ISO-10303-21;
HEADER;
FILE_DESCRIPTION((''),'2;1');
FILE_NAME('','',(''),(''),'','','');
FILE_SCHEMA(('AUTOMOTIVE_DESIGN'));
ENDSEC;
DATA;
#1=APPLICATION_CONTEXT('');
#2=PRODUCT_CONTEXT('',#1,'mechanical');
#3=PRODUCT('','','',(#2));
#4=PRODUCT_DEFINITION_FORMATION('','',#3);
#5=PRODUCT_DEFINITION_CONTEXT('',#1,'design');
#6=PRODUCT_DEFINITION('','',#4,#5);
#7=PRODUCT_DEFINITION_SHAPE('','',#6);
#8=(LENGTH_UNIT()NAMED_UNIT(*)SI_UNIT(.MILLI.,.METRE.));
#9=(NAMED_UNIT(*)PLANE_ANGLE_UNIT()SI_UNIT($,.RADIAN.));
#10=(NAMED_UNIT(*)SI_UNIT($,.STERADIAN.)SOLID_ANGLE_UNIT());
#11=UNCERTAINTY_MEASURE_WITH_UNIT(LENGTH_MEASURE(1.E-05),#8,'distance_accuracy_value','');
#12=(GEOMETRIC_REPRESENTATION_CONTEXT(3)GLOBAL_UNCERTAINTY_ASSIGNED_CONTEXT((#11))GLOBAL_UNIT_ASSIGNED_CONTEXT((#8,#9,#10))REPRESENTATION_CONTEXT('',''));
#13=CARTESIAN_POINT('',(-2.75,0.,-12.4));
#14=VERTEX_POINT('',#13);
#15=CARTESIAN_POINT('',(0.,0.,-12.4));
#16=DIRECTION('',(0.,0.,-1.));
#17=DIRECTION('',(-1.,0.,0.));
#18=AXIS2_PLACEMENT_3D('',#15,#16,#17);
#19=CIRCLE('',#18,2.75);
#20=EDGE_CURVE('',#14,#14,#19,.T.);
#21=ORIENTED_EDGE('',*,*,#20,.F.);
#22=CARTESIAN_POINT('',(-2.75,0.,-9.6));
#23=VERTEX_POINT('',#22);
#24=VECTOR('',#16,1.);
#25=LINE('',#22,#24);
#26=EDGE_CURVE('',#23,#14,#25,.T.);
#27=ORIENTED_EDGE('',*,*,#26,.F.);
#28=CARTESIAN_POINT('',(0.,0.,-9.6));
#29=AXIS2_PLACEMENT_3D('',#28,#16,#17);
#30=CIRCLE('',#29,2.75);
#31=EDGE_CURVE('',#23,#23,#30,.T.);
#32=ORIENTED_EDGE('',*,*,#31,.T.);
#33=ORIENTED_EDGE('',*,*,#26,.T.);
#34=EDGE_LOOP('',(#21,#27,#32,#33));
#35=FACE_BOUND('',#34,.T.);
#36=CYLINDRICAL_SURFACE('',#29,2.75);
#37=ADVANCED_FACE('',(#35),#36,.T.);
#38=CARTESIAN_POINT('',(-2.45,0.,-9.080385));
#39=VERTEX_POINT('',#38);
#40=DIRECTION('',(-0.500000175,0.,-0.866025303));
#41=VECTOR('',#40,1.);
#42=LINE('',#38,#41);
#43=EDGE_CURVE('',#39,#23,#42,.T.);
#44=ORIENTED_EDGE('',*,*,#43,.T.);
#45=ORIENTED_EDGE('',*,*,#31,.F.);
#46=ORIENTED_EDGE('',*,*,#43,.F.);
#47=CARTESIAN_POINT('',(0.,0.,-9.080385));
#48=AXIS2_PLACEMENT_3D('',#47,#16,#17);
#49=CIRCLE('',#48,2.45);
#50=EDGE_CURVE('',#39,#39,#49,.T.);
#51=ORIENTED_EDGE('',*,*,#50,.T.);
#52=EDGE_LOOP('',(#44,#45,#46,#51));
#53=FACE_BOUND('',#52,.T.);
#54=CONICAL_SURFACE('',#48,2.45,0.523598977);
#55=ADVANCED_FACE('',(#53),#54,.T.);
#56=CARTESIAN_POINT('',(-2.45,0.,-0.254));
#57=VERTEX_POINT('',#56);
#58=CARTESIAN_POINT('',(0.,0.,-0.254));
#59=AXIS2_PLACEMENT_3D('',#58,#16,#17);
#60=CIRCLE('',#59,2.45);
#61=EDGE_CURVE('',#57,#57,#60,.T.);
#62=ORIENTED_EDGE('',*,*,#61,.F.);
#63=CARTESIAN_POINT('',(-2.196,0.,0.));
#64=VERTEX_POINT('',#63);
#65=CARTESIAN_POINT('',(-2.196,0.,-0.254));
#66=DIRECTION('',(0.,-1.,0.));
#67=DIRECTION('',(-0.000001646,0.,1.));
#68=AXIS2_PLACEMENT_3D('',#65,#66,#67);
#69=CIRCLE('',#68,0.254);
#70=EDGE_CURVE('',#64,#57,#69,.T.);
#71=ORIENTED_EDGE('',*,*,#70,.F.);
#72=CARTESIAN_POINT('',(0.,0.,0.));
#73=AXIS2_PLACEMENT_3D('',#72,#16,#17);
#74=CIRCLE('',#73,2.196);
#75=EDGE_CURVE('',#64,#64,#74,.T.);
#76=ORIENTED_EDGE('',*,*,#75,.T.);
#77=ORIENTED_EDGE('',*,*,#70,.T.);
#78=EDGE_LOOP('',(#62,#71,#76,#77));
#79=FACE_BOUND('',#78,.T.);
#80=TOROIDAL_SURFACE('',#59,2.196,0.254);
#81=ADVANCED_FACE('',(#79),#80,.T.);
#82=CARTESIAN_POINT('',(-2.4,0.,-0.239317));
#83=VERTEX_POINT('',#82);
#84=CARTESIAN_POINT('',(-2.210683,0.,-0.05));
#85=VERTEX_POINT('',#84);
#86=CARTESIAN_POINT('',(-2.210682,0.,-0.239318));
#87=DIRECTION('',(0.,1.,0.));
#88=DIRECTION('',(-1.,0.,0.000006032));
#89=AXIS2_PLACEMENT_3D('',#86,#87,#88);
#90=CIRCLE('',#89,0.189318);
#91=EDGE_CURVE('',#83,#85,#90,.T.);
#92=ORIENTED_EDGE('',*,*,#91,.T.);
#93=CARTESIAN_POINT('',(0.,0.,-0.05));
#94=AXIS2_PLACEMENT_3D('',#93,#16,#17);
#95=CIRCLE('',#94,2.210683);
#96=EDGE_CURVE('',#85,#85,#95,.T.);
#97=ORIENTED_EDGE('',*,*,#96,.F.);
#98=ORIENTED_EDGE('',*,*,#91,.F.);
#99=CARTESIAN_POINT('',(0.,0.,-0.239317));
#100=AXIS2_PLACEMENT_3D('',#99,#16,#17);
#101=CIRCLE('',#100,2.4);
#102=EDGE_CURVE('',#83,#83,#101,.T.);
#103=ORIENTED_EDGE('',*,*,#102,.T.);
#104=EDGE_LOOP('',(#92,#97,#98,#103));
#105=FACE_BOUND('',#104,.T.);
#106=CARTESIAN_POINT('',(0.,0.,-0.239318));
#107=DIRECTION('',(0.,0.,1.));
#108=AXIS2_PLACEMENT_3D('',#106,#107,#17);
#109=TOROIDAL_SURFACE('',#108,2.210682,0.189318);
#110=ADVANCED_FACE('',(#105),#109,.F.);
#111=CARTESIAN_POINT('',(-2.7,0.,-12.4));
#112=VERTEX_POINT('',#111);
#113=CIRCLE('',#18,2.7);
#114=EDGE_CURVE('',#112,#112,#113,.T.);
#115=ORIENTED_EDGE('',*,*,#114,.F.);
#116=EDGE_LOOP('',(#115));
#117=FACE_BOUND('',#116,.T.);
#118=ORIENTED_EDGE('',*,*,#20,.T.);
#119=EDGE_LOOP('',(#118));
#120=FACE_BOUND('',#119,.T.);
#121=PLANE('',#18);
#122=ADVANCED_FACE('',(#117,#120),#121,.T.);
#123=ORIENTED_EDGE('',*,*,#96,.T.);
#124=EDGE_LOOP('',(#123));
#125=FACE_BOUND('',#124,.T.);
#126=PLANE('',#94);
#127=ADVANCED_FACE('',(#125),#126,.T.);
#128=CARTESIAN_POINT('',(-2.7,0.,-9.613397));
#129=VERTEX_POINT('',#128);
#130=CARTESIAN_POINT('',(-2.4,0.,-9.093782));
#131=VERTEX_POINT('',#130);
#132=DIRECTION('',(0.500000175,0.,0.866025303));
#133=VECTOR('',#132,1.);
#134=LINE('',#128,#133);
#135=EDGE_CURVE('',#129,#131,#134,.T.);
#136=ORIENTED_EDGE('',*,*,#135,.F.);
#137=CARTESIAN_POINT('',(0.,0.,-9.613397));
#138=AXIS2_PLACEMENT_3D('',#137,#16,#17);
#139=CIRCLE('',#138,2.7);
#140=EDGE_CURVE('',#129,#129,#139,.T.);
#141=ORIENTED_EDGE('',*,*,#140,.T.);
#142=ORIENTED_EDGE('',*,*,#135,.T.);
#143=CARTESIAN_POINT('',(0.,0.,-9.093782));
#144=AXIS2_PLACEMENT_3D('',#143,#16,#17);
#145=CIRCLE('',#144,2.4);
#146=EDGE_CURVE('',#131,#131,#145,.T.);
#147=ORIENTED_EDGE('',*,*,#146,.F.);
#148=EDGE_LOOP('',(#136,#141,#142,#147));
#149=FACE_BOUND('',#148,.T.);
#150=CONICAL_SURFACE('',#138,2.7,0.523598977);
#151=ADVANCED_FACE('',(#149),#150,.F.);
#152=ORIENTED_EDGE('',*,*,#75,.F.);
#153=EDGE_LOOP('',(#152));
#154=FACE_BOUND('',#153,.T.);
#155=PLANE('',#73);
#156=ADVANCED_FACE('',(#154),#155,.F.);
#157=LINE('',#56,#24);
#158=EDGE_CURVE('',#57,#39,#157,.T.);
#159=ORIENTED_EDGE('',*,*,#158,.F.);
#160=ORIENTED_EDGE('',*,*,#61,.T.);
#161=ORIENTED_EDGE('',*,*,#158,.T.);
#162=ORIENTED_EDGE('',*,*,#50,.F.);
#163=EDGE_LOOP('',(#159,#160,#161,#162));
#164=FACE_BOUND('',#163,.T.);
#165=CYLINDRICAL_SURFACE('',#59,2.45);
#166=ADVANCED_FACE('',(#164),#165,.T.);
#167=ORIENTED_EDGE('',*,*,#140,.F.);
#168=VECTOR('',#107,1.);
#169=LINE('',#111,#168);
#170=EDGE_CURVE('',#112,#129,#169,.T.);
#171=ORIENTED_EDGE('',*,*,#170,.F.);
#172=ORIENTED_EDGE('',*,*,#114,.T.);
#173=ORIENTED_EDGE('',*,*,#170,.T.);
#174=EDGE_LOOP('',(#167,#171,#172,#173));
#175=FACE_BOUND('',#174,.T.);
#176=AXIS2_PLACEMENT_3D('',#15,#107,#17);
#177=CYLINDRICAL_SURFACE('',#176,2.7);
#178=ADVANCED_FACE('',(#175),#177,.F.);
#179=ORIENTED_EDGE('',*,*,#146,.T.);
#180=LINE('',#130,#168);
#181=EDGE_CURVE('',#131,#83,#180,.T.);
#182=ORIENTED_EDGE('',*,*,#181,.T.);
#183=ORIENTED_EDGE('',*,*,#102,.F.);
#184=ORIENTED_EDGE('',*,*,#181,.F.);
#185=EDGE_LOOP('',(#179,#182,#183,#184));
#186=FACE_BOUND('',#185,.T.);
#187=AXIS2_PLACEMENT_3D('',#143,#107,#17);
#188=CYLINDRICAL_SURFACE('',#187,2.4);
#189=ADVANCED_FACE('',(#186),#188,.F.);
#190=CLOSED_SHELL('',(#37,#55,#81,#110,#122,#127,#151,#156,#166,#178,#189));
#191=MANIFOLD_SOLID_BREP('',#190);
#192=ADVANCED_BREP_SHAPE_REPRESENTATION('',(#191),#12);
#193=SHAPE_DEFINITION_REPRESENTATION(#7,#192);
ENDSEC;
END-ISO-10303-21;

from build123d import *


with BuildPart() as f1:
    # F0 (on Front) → F1 (revolve)
    with BuildSketch(Plane.XZ):
        with BuildLine():
            Line((0, -0.05), (0, 0))
            Line((0, 0), (-2.196, 0))
            ThreePointArc((-2.196, 0), (-2.375605, -0.074395), (-2.45, -0.254))
            Line((-2.45, -0.254), (-2.45, -9.080385))
            Line((-2.45, -9.080385), (-2.75, -9.6))
            Line((-2.75, -9.6), (-2.75, -12.4))
            Line((-2.75, -12.4), (-2.7, -12.4))
            Line((-2.7, -12.4), (-2.7, -9.613397))
            Line((-2.7, -9.613397), (-2.4, -9.093782))
            Line((-2.4, -9.093782), (-2.4, -0.239317))
            ThreePointArc((-2.4, -0.239317), (-2.34455, -0.10545), (-2.210683, -0.05))
            Line((-2.210683, -0.05), (0, -0.05))
        make_face()
    revolve(axis=Axis((0, 0, -6.536065), (0, 0, -1)))


solid = f1.part
